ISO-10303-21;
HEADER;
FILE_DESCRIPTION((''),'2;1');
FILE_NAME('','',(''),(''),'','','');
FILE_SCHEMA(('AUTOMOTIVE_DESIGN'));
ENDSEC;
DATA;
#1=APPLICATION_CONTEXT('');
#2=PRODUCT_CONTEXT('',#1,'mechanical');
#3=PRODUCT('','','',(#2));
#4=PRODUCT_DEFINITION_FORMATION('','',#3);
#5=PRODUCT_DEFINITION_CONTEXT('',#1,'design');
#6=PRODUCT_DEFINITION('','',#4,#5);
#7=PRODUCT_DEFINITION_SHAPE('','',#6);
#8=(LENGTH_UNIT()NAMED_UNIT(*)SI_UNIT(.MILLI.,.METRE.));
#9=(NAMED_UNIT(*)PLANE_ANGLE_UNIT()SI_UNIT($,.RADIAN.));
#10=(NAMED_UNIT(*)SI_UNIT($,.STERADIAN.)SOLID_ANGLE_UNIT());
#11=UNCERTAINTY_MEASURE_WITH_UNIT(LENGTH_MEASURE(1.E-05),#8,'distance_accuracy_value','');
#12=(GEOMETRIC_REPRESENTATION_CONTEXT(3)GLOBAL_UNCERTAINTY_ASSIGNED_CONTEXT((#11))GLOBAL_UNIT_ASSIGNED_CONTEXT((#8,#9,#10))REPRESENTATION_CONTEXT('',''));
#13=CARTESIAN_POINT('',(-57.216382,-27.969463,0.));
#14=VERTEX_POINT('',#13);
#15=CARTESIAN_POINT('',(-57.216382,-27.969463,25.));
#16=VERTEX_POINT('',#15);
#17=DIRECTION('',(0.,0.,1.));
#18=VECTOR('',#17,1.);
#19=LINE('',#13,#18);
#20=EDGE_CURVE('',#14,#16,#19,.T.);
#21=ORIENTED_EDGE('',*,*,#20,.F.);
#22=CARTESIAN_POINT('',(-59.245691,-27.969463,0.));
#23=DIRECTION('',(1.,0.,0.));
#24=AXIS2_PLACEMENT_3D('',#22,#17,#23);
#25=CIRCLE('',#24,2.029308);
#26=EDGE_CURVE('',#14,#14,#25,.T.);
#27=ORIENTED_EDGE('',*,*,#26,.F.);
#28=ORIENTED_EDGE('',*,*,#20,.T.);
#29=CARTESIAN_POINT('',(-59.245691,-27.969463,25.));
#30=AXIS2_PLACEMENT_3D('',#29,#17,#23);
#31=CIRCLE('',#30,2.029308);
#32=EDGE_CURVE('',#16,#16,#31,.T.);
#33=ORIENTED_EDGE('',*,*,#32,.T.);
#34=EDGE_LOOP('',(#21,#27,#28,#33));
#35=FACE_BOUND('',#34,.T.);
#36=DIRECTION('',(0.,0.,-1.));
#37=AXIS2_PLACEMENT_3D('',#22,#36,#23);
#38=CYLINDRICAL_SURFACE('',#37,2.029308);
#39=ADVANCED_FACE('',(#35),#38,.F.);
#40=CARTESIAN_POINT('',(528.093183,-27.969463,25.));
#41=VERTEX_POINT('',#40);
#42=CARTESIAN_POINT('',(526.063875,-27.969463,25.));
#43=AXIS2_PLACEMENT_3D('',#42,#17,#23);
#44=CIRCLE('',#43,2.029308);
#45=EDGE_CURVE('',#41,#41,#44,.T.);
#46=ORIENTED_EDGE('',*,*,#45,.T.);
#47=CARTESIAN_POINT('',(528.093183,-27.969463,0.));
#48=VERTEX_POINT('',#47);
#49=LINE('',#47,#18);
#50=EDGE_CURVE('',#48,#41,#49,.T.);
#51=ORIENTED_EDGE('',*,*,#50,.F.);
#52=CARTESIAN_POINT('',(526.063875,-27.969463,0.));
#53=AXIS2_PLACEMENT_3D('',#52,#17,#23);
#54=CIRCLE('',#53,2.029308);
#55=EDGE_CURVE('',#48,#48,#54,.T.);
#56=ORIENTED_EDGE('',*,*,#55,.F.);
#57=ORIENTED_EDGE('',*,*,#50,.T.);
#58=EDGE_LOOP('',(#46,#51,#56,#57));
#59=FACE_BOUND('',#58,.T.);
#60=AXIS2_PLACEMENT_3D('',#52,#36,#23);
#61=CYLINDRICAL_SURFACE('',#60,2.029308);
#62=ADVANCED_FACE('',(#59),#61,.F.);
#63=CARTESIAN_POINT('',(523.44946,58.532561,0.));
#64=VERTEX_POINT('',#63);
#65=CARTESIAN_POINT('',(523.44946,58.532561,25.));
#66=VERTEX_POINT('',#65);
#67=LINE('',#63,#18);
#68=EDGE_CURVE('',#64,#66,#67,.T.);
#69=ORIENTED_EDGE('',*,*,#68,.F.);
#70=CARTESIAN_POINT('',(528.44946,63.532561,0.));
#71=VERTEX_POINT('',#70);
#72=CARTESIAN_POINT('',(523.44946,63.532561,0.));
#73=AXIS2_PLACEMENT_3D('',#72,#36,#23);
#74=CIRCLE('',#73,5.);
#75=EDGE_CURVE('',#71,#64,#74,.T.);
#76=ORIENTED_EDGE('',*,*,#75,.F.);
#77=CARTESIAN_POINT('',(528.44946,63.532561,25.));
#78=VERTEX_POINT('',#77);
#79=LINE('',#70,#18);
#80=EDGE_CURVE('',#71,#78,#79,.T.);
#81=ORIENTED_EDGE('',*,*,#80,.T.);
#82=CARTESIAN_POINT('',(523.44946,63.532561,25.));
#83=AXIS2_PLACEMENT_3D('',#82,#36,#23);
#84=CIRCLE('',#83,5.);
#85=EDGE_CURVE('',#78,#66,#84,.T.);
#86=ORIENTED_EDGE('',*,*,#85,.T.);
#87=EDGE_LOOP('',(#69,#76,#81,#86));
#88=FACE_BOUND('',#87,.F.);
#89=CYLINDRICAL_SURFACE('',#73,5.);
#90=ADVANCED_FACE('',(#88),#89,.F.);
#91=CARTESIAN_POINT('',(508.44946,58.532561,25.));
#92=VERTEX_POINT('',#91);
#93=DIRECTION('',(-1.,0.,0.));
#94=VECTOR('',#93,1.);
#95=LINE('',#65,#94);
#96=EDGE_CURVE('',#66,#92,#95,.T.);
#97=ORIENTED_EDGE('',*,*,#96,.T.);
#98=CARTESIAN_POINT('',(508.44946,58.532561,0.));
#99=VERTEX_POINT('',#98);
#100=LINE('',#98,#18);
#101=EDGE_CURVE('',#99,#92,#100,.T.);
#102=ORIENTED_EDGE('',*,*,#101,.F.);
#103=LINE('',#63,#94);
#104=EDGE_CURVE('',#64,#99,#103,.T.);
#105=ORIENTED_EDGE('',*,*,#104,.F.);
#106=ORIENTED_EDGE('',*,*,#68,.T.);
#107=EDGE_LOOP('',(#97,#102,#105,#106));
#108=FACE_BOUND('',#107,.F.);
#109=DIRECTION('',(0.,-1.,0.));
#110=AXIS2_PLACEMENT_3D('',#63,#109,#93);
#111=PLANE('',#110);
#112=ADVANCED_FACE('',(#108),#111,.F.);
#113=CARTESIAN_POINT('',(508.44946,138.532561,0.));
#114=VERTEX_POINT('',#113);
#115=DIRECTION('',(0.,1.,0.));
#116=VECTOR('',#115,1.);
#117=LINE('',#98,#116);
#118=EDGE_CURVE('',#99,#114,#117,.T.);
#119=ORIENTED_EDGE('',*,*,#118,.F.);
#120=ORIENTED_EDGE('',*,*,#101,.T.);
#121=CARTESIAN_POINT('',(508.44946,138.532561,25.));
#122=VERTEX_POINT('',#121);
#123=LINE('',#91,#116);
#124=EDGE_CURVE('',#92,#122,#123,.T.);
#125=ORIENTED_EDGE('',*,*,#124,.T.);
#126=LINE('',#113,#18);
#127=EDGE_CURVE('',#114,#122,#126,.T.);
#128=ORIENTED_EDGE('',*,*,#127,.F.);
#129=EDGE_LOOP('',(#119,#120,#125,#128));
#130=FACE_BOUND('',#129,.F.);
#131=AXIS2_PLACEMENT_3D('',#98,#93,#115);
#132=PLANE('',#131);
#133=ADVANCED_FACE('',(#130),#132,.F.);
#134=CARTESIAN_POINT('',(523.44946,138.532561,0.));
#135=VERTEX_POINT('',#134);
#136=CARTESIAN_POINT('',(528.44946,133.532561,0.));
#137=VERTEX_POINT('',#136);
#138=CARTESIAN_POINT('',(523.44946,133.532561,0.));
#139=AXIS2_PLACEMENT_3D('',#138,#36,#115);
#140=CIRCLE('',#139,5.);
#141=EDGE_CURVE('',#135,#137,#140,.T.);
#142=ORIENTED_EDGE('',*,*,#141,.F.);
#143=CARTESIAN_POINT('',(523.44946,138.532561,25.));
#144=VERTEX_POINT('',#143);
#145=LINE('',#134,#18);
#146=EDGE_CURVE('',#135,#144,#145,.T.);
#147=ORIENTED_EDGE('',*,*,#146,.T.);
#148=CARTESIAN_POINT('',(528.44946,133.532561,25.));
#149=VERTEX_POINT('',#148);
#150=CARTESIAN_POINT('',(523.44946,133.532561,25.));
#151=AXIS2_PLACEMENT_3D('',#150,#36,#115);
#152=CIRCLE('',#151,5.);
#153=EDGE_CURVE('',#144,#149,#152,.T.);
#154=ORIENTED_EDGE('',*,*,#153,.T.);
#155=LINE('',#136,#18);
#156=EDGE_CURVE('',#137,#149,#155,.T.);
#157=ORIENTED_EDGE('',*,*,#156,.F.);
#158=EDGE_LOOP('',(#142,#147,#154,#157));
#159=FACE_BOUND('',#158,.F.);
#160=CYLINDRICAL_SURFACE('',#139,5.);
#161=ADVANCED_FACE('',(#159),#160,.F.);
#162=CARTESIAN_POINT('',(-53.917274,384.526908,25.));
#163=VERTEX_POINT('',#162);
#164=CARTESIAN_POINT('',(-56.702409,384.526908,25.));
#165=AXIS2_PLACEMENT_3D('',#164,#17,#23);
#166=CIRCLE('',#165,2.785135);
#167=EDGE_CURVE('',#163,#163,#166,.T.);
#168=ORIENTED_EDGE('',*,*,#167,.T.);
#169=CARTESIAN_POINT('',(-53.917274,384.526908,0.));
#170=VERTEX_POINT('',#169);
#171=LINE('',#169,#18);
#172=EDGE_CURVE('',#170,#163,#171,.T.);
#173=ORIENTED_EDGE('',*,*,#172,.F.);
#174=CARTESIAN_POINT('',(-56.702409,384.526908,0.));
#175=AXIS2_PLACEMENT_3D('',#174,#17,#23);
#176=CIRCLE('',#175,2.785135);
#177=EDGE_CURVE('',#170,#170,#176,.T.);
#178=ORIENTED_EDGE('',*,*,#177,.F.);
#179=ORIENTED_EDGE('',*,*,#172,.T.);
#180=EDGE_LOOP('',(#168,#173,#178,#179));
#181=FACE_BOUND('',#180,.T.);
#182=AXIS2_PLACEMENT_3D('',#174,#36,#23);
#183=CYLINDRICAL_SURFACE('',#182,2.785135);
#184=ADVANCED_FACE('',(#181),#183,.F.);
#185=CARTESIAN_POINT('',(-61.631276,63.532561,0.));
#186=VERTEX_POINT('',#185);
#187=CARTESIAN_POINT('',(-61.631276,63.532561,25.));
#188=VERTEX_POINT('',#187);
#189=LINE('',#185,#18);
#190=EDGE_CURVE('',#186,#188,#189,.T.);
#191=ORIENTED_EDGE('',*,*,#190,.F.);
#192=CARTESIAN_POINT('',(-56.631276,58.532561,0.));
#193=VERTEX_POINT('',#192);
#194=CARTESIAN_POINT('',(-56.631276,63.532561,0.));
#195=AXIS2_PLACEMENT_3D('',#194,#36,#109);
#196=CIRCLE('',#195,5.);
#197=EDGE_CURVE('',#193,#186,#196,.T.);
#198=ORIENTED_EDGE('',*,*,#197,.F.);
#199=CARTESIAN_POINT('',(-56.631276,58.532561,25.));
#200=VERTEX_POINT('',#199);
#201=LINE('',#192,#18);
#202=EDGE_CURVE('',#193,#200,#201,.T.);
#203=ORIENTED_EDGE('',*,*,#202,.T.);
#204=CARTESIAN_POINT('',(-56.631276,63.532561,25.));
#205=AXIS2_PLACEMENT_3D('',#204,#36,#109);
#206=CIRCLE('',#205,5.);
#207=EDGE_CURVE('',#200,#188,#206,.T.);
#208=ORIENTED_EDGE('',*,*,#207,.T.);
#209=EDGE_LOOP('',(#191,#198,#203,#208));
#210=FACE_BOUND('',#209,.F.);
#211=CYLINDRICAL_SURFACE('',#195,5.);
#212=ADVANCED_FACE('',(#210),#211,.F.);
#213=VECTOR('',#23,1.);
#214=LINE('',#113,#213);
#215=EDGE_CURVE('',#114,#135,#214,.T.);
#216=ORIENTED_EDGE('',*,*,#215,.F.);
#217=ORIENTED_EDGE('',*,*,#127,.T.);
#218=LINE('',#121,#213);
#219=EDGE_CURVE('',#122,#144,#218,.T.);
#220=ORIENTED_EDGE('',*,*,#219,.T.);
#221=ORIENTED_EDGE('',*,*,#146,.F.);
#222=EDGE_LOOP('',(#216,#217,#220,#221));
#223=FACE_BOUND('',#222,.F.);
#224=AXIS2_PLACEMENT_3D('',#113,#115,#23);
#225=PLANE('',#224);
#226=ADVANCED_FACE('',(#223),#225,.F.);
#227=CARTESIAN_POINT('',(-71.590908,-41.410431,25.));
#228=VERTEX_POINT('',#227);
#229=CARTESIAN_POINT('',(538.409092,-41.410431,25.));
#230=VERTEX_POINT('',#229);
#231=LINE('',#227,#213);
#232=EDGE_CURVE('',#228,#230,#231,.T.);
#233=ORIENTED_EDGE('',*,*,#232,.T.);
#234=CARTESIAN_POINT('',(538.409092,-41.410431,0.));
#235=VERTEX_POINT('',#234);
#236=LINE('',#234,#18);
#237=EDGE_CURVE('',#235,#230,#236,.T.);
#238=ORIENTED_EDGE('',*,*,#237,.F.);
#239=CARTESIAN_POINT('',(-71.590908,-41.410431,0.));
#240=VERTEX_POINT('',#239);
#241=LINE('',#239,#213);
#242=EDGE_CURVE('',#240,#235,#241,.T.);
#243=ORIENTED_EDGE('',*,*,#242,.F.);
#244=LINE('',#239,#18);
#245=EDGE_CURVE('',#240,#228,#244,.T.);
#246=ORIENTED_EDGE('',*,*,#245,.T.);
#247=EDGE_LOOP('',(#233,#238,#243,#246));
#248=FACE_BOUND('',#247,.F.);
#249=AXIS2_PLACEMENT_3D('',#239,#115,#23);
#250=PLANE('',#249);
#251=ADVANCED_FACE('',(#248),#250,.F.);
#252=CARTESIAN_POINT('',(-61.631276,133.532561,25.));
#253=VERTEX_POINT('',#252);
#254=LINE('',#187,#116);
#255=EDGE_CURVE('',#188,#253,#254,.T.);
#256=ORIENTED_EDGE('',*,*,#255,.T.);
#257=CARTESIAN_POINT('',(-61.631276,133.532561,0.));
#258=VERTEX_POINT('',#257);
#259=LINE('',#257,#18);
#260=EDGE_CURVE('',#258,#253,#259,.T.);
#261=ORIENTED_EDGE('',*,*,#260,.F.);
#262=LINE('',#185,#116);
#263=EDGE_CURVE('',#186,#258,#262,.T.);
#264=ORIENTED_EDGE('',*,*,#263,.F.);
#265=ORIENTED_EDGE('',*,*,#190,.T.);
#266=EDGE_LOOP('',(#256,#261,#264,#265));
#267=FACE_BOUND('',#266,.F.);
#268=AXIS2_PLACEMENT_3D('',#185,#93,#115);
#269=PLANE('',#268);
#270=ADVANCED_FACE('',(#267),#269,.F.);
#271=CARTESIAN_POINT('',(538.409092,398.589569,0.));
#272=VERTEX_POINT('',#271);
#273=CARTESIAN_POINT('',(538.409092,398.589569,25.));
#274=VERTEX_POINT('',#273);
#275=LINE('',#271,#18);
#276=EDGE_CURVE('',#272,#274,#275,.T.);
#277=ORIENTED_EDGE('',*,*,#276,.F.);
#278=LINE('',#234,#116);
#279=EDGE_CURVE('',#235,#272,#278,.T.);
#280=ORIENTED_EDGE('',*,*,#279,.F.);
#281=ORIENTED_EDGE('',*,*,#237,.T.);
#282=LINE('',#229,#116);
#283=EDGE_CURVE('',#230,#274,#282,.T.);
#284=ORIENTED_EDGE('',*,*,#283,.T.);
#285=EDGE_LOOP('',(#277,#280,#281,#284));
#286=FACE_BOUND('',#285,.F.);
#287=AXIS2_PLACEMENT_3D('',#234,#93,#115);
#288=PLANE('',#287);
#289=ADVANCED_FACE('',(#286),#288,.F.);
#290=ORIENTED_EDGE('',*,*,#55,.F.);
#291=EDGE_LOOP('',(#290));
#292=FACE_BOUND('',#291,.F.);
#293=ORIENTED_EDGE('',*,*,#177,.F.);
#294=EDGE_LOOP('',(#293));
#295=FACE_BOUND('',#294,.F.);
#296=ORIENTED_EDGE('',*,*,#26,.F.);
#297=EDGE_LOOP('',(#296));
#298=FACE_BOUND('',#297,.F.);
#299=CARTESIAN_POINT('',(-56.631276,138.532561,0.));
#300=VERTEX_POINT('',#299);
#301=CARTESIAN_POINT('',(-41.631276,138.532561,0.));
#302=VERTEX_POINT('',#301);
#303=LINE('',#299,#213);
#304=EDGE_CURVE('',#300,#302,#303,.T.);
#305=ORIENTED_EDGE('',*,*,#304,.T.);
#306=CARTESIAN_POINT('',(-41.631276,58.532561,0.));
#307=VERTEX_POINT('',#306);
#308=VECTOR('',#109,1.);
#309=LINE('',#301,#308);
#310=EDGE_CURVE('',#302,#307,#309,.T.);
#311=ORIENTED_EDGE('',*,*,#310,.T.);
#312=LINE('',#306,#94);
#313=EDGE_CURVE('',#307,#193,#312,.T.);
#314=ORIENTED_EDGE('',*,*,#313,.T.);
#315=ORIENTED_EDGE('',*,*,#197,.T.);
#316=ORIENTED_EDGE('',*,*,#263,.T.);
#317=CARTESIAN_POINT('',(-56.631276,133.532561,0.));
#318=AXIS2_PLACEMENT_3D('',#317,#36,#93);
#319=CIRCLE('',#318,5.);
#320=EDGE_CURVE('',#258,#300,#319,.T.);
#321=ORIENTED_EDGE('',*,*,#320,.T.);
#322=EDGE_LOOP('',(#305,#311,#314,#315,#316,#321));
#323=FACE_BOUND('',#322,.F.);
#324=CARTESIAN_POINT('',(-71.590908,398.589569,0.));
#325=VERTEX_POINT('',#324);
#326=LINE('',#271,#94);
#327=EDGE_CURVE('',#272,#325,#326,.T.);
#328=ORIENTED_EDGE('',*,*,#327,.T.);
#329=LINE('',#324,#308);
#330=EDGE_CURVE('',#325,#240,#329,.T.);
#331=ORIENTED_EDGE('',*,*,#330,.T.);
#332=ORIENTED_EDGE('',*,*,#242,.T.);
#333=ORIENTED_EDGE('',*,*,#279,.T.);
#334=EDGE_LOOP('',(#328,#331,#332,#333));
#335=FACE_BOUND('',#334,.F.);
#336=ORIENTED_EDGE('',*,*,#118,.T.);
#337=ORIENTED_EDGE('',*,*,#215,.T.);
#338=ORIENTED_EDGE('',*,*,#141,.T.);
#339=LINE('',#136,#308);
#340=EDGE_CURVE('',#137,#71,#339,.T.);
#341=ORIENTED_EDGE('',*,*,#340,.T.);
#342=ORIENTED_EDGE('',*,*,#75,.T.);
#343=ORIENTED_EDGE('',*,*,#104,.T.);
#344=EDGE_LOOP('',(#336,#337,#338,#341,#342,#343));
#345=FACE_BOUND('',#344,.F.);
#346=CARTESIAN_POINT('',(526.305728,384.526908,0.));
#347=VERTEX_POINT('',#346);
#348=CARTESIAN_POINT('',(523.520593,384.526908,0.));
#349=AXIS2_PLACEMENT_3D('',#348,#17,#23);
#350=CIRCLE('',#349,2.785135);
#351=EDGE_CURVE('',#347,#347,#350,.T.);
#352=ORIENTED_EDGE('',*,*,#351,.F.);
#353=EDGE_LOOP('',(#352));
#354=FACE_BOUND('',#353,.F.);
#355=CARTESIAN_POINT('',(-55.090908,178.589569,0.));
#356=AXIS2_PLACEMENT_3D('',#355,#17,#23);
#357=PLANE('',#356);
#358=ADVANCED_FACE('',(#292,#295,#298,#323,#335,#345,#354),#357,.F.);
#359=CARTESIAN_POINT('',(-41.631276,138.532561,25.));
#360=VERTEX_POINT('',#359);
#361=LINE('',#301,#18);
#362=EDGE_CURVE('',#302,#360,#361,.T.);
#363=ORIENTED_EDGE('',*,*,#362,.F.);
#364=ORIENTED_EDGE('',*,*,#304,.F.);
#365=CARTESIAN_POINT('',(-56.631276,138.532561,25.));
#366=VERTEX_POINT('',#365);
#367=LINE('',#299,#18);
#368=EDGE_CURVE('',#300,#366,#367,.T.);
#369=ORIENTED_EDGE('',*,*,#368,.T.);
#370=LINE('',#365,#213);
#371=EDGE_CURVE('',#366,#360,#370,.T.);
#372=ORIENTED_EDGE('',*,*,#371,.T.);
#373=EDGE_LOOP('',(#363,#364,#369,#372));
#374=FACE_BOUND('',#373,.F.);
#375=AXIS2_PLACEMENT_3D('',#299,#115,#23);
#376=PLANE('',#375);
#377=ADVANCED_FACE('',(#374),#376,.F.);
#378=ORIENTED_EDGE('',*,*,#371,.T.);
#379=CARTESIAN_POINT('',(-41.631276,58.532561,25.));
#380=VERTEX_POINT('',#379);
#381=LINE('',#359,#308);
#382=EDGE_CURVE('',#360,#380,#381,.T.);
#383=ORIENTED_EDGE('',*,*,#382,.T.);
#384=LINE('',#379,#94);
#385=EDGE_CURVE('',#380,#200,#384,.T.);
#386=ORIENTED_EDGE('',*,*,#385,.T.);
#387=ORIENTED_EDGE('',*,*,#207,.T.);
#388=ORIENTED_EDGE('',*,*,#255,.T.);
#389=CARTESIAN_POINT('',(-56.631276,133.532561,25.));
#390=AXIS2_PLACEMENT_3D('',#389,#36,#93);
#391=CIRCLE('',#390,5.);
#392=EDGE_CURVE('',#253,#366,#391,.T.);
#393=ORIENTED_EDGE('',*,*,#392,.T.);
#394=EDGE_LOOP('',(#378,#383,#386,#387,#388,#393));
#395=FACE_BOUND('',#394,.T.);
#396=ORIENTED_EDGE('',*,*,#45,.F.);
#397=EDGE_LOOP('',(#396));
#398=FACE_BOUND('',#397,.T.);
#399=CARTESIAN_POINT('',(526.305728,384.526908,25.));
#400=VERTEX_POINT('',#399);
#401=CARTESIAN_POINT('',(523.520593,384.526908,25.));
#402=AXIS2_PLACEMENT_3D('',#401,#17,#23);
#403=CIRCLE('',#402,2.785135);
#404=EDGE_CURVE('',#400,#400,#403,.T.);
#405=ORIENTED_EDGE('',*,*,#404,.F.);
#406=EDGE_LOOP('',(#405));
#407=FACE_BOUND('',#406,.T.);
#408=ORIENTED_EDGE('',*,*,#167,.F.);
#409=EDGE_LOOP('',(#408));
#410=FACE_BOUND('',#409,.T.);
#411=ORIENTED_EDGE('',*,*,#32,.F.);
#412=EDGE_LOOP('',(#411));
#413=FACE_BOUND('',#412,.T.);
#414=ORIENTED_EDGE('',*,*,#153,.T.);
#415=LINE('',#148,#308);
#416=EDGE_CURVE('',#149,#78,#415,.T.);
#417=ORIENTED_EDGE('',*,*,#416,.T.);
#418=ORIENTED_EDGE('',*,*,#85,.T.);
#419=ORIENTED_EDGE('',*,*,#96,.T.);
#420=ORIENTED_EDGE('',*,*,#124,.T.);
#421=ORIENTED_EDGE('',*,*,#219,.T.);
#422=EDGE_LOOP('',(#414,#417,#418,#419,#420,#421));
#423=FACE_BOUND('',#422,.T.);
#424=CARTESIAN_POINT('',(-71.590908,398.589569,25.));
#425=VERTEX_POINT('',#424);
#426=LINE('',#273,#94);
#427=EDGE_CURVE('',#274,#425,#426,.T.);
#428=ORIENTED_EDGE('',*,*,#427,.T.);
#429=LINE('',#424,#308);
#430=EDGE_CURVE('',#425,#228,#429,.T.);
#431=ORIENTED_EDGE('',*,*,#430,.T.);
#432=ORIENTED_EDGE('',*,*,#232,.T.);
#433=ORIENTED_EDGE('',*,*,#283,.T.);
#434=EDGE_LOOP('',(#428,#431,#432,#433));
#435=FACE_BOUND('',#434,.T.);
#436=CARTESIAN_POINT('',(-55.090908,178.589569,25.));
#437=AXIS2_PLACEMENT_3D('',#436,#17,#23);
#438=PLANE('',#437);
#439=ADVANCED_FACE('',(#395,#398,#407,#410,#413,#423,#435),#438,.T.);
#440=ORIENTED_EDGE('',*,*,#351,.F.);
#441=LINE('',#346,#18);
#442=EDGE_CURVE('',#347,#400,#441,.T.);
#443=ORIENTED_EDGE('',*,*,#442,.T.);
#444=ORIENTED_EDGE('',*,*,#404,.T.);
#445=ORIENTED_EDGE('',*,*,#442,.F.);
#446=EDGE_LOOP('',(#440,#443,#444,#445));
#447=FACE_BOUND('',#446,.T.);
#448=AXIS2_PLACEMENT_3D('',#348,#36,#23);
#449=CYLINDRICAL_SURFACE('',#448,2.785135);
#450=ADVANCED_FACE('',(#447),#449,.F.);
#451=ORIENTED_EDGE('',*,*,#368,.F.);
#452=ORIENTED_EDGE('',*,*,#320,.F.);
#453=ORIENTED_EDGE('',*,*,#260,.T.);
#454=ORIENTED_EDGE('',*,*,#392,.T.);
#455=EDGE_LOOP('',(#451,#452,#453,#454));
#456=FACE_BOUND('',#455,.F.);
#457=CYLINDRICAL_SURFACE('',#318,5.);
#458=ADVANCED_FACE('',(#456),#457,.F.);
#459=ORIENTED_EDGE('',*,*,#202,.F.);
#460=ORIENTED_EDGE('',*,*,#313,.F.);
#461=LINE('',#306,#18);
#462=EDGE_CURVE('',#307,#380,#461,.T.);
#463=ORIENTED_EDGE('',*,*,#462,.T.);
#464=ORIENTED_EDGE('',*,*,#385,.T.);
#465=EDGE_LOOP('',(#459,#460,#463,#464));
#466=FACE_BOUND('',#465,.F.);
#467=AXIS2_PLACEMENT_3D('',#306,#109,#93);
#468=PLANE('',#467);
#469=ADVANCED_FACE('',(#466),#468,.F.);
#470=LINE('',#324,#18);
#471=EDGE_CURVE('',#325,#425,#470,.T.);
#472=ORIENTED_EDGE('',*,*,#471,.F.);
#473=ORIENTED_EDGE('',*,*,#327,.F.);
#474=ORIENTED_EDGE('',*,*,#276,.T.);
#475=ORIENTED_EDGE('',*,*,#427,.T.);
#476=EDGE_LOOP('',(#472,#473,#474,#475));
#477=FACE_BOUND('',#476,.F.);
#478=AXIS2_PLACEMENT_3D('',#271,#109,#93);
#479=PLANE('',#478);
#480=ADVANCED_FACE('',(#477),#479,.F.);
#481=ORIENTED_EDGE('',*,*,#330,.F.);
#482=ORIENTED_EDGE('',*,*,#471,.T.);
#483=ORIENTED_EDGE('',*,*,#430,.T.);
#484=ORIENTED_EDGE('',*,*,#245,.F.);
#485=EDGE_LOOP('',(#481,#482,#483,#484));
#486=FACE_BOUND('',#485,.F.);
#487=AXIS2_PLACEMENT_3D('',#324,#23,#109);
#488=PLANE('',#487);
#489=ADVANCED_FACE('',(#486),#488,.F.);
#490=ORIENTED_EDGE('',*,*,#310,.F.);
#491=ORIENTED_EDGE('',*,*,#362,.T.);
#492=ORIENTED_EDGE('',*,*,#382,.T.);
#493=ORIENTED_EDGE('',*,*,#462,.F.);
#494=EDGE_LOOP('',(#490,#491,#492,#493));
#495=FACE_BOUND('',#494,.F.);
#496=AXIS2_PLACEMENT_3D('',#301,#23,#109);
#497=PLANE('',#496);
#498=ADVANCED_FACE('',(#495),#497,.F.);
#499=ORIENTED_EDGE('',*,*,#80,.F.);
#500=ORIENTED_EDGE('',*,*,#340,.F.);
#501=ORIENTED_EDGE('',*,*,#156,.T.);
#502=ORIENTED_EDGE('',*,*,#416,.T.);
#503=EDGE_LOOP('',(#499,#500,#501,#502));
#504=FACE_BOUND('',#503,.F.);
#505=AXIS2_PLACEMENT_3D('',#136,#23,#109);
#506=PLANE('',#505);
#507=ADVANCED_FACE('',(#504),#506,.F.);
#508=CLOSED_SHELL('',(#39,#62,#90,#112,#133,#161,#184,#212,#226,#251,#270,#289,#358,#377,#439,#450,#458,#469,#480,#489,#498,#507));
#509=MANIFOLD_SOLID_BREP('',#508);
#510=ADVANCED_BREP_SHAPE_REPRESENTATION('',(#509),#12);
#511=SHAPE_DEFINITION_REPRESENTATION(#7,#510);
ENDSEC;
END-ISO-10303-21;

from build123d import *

# Parameters (mm, degrees)
F0_R     = 2.0293084654
F0_R_2   = 2.7851350605
F1_DEPTH = 25


with BuildPart() as f1:
    # F0 (on Top) → F1 (new body)
    with BuildSketch(Plane.XY):
        Polygon((-38.5909078717, 398.5895687342), (-71.5909078717, 398.5895687342), (-71.5909078717, -41.4104312658), (-38.5909078717, -41.4104312658), (-38.5909078717, 191.306501627), align=None)
        with Locations((-59.2456907034, -27.969462797)):
            Circle(F0_R, mode=Mode.SUBTRACT)
        with BuildLine():
            ThreePointArc((-56.6312761605, 58.5325606167), (-60.1668100664, 59.9970267108), (-61.6312761605, 63.5325606167))
            Line((-61.6312761605, 63.5325606167), (-61.6312761605, 133.5325606167))
            ThreePointArc((-61.6312761605, 133.5325606167), (-60.1668100664, 137.0680945227), (-56.6312761605, 138.5325606167))
            Line((-56.6312761605, 138.5325606167), (-41.6312761605, 138.5325606167))
            Line((-41.6312761605, 138.5325606167), (-41.6312761605, 58.5325606167))
            Line((-41.6312761605, 58.5325606167), (-56.6312761605, 58.5325606167))
        make_face(mode=Mode.SUBTRACT)
        with Locations((-56.7024089396, 384.5269083977)):
            Circle(F0_R_2, mode=Mode.SUBTRACT)
        Polygon((505.4090921283, 398.5895687342), (-38.5909078717, 398.5895687342), (-38.5909078717, 191.306501627), (-38.5909078717, -41.4104312658), (505.4090921283, -41.4104312658), (505.4090921283, 191.306501627), align=None)
        Polygon((538.4090921283, 398.5895687342), (505.4090921283, 398.5895687342), (505.4090921283, 191.306501627), (505.4090921283, -41.4104312658), (538.4090921283, -41.4104312658), align=None)
        with Locations((526.0638749599, -27.969462797)):
            Circle(F0_R, mode=Mode.SUBTRACT)
        with BuildLine():
            Line((508.449460417, 138.5325606167), (523.449460417, 138.5325606167))
            ThreePointArc((523.449460417, 138.5325606167), (526.984994323, 137.0680945227), (528.449460417, 133.5325606167))
            Line((528.449460417, 133.5325606167), (528.449460417, 63.5325606167))
            ThreePointArc((528.449460417, 63.5325606167), (526.984994323, 59.9970267108), (523.449460417, 58.5325606167))
            Line((523.449460417, 58.5325606167), (508.449460417, 58.5325606167))
            Line((508.449460417, 58.5325606167), (508.449460417, 138.5325606167))
        make_face(mode=Mode.SUBTRACT)
        with Locations((523.5205931962, 384.5269083977)):
            Circle(F0_R_2, mode=Mode.SUBTRACT)
    extrude(amount=F1_DEPTH)


solid = f1.part
